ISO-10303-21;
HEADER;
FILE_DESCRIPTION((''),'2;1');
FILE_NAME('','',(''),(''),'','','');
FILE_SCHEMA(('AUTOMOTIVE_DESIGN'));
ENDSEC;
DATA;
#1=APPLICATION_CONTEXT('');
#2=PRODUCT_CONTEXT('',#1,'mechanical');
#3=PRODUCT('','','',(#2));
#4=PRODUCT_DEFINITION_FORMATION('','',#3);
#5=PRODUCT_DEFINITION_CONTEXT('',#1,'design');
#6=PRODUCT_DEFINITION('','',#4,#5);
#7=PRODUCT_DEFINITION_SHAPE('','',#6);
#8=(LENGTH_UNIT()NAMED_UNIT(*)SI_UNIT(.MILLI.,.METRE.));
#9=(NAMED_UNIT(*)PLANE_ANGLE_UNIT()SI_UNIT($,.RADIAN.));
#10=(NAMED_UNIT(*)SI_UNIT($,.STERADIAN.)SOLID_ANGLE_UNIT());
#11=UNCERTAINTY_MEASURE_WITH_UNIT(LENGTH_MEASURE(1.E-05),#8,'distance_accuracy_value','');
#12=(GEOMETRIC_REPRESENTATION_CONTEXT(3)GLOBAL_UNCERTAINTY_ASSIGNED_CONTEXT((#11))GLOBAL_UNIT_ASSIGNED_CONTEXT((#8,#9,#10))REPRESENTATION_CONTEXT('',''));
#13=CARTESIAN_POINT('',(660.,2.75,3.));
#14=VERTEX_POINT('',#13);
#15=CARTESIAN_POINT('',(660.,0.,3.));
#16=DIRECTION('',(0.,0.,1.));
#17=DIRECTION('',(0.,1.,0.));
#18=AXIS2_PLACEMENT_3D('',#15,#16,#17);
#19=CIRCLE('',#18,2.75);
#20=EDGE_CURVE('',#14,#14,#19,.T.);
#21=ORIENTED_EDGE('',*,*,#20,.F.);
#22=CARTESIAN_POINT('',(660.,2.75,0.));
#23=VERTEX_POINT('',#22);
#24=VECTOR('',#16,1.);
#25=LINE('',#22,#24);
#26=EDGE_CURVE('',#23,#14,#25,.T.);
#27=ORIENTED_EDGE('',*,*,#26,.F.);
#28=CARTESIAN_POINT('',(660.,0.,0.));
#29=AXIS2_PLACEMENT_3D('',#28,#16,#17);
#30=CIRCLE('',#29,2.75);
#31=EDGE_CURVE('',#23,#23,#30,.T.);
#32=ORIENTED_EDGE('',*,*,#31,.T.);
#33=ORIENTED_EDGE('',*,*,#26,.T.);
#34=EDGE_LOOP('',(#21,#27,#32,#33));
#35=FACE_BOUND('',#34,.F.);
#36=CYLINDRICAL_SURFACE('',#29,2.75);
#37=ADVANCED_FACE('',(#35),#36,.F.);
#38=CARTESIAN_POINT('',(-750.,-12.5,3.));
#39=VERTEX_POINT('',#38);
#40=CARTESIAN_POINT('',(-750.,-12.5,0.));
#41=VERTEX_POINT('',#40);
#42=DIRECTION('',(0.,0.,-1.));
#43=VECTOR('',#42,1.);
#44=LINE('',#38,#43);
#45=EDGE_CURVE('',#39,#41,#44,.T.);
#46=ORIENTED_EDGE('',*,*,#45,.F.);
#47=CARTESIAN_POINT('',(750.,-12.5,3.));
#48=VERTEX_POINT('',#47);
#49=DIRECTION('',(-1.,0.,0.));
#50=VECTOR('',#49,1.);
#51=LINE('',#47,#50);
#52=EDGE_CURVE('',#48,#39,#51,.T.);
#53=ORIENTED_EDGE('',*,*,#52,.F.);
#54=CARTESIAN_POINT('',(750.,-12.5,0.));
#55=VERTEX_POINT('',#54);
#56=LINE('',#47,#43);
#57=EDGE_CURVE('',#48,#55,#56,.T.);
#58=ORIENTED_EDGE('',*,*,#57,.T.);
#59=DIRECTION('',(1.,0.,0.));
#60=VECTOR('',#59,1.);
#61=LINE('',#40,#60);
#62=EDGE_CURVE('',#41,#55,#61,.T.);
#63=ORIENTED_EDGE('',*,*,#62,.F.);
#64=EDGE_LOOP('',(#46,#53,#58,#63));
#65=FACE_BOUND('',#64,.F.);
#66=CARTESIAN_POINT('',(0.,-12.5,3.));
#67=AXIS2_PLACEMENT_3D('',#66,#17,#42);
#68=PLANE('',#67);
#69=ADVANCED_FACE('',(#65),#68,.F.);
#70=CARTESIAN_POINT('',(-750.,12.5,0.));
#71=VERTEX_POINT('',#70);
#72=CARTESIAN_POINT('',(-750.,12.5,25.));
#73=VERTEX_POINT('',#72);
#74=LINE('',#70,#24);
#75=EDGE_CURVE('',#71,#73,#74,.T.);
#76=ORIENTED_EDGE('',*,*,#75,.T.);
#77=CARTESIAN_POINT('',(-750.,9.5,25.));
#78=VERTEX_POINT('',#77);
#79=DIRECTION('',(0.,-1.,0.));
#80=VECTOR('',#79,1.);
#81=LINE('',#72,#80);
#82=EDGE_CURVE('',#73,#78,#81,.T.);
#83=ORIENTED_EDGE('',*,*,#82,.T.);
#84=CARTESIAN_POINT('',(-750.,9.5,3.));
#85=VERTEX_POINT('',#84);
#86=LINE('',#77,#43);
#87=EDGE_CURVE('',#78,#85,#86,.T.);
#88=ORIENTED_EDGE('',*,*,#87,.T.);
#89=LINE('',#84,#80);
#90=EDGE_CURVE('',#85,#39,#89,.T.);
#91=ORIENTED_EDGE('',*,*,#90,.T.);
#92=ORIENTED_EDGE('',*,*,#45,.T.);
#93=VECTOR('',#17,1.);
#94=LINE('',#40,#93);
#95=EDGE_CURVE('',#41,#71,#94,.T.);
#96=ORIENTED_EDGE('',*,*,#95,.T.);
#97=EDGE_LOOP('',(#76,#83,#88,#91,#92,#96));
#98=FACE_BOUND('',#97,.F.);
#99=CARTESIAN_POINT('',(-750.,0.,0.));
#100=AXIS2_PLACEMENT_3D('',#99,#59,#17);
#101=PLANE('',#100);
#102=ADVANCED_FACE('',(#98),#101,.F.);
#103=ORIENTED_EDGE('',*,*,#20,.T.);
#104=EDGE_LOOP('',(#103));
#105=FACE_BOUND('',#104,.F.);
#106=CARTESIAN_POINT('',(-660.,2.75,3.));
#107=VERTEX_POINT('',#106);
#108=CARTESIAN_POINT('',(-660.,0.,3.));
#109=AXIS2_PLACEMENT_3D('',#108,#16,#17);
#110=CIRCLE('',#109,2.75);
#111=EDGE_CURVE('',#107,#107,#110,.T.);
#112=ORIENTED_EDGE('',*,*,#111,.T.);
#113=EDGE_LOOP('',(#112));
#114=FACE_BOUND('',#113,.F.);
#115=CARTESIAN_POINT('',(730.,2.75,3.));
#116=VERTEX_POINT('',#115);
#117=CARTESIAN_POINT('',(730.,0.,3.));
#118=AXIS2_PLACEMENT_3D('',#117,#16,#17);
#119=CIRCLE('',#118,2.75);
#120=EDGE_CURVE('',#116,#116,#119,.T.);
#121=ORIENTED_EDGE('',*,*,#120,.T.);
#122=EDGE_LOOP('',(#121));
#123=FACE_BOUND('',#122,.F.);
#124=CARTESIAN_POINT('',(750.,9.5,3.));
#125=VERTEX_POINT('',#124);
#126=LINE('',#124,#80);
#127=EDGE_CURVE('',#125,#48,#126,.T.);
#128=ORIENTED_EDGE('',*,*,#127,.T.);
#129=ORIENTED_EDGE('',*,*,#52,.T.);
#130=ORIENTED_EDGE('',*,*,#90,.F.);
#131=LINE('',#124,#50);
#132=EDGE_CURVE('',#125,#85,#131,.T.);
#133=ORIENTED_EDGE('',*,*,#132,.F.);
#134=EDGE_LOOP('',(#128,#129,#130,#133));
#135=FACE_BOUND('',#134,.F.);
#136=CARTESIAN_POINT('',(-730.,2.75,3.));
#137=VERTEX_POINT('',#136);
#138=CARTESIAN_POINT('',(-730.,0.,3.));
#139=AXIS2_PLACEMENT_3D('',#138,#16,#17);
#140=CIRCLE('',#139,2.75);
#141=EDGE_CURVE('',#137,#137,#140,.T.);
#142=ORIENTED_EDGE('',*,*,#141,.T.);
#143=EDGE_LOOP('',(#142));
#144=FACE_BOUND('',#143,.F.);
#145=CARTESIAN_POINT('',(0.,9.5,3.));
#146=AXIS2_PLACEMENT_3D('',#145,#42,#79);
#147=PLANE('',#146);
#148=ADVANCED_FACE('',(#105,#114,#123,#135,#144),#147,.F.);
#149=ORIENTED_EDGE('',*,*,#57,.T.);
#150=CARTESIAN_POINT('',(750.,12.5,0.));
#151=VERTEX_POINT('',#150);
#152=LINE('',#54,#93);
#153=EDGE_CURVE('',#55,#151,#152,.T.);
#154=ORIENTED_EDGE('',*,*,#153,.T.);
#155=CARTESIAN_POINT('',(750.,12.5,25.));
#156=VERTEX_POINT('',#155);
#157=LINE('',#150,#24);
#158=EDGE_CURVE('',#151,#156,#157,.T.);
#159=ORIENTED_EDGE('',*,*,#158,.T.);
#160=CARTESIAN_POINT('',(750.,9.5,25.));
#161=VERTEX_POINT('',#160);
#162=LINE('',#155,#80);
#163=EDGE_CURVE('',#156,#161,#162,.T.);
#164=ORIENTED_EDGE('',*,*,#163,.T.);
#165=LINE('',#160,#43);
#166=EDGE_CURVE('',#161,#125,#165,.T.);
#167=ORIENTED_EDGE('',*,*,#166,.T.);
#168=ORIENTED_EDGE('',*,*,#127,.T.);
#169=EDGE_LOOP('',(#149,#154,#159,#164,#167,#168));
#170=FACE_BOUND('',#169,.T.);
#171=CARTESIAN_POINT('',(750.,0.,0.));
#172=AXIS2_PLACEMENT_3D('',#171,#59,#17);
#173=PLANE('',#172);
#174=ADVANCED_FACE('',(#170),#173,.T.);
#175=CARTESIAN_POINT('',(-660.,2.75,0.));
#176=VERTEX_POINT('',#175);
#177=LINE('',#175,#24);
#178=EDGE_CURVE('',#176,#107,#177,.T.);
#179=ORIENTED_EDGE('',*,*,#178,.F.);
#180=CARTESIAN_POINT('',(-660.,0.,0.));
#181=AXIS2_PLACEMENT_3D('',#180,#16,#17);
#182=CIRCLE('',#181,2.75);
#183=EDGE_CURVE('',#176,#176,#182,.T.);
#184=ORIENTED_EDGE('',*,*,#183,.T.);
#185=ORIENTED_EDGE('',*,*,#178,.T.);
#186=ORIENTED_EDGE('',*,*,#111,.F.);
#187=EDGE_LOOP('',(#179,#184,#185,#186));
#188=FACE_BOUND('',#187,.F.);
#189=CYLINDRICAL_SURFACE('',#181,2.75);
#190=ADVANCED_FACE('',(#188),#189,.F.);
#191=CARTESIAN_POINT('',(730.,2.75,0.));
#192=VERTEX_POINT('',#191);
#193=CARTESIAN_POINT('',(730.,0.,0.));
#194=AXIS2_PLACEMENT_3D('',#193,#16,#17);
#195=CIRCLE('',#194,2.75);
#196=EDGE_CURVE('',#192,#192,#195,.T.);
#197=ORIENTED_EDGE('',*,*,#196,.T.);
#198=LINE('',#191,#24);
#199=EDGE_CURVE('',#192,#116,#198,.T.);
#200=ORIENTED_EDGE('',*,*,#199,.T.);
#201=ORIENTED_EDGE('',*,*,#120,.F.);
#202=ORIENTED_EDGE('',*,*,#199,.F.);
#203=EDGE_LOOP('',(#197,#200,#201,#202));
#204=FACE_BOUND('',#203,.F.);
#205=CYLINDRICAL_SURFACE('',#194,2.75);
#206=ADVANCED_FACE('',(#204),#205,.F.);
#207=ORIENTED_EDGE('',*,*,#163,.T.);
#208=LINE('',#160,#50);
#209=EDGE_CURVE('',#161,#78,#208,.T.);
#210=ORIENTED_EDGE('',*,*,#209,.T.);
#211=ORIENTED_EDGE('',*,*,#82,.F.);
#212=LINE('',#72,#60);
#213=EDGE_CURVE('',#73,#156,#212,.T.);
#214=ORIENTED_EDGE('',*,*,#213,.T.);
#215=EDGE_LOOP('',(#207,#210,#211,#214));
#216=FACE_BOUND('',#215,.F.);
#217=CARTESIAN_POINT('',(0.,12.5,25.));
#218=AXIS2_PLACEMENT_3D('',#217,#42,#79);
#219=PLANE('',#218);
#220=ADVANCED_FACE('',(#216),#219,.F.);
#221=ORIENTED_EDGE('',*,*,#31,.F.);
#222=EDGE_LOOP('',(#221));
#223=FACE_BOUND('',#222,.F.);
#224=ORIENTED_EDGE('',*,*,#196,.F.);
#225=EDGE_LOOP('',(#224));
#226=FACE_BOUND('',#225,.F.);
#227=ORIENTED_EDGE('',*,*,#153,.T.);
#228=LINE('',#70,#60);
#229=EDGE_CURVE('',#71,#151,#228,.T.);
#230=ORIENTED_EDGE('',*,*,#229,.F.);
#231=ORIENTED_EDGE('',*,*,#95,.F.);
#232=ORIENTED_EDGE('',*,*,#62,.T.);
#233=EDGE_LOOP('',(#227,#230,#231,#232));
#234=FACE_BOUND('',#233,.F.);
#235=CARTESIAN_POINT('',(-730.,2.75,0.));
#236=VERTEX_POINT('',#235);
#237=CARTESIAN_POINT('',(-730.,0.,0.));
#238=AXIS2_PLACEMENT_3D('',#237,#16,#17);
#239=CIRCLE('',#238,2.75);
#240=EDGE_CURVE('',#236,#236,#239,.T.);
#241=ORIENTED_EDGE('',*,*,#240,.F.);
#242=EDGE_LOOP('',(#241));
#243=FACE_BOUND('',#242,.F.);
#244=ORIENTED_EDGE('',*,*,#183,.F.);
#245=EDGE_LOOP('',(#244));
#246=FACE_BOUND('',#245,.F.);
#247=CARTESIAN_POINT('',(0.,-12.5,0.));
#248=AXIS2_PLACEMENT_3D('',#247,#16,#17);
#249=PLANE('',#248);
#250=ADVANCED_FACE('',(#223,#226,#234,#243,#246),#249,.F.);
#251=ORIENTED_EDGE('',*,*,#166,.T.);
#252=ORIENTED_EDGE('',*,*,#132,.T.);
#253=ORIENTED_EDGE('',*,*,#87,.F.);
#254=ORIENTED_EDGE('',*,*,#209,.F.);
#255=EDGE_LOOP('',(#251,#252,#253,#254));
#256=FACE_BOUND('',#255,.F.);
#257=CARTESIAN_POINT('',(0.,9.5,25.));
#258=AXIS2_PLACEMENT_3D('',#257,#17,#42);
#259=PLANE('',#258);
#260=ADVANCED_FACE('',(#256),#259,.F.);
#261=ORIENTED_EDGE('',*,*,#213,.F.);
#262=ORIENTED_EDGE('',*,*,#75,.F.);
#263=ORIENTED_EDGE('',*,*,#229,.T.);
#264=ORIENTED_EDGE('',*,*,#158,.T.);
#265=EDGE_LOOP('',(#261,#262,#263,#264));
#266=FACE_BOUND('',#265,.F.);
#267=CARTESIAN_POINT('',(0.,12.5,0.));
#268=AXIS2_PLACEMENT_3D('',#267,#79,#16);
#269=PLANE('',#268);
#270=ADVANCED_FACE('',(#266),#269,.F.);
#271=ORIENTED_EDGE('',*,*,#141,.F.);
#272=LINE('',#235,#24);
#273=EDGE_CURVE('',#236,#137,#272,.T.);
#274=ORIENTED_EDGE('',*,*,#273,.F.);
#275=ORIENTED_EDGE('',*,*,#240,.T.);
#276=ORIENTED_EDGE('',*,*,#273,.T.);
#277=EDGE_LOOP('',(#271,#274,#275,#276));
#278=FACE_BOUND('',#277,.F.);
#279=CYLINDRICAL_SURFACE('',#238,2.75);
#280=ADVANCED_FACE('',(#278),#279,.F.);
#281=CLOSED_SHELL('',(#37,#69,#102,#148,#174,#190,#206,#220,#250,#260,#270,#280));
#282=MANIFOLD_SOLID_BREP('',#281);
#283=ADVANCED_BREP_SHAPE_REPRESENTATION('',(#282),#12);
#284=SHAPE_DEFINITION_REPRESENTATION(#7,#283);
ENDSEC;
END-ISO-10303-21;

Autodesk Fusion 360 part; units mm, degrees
sketch "Sketch1" plane through (0, 0, 0) normal (1, 0, 0) x (0, 1, 0)
  line L0 (-12.5, 0) -> (12.5, 0)
  line L1 (12.5, 0) -> (12.5, 25)
  line L2 (12.5, 25) -> (9.5, 25)
  line L3 (9.5, 25) -> (9.5, 3)
  line L4 (9.5, 3) -> (-12.5, 3)
  line L5 (-12.5, 3) -> (-12.5, 0)
  dimension "d2" = 25
  dimension "d3" = 25
  dimension "d4" = 3
  dimension "d5" = 22
  dimension "d6" = 22
extrude "Extrude1" add sketch "Sketch1" along normal mid plane 1500
sketch "Sketch2" plane through (0, 0, 0) normal (0, 0, -1) x (1, 0, 0)
  line L0 (-750, -12.5) -> (750, -12.5)
  line L1 (750, -12.5) -> (750, 12.5)
  line L2 (750, 12.5) -> (-750, 12.5)
  line L3 (-750, 12.5) -> (-750, -12.5)
  line L4 (-750, 0) -> (-730, 0) construction
  line L5 (-730, 0) -> (-660, 0) construction
  line L6 (750, 0) -> (730, 0) construction
  line L7 (730, 0) -> (660, 0) construction
  dimension "d9" = 20
  dimension "d10" = 70
  dimension "d11" = 20
  dimension "d12" = 70
hole "Hole1" at (-660, 0, 0) at (-730, 0, 0) at (730, 0, 0) at (660, 0, 0) direction (0, 0, 1) diameter 5.5 depth 3 tip angle 180
